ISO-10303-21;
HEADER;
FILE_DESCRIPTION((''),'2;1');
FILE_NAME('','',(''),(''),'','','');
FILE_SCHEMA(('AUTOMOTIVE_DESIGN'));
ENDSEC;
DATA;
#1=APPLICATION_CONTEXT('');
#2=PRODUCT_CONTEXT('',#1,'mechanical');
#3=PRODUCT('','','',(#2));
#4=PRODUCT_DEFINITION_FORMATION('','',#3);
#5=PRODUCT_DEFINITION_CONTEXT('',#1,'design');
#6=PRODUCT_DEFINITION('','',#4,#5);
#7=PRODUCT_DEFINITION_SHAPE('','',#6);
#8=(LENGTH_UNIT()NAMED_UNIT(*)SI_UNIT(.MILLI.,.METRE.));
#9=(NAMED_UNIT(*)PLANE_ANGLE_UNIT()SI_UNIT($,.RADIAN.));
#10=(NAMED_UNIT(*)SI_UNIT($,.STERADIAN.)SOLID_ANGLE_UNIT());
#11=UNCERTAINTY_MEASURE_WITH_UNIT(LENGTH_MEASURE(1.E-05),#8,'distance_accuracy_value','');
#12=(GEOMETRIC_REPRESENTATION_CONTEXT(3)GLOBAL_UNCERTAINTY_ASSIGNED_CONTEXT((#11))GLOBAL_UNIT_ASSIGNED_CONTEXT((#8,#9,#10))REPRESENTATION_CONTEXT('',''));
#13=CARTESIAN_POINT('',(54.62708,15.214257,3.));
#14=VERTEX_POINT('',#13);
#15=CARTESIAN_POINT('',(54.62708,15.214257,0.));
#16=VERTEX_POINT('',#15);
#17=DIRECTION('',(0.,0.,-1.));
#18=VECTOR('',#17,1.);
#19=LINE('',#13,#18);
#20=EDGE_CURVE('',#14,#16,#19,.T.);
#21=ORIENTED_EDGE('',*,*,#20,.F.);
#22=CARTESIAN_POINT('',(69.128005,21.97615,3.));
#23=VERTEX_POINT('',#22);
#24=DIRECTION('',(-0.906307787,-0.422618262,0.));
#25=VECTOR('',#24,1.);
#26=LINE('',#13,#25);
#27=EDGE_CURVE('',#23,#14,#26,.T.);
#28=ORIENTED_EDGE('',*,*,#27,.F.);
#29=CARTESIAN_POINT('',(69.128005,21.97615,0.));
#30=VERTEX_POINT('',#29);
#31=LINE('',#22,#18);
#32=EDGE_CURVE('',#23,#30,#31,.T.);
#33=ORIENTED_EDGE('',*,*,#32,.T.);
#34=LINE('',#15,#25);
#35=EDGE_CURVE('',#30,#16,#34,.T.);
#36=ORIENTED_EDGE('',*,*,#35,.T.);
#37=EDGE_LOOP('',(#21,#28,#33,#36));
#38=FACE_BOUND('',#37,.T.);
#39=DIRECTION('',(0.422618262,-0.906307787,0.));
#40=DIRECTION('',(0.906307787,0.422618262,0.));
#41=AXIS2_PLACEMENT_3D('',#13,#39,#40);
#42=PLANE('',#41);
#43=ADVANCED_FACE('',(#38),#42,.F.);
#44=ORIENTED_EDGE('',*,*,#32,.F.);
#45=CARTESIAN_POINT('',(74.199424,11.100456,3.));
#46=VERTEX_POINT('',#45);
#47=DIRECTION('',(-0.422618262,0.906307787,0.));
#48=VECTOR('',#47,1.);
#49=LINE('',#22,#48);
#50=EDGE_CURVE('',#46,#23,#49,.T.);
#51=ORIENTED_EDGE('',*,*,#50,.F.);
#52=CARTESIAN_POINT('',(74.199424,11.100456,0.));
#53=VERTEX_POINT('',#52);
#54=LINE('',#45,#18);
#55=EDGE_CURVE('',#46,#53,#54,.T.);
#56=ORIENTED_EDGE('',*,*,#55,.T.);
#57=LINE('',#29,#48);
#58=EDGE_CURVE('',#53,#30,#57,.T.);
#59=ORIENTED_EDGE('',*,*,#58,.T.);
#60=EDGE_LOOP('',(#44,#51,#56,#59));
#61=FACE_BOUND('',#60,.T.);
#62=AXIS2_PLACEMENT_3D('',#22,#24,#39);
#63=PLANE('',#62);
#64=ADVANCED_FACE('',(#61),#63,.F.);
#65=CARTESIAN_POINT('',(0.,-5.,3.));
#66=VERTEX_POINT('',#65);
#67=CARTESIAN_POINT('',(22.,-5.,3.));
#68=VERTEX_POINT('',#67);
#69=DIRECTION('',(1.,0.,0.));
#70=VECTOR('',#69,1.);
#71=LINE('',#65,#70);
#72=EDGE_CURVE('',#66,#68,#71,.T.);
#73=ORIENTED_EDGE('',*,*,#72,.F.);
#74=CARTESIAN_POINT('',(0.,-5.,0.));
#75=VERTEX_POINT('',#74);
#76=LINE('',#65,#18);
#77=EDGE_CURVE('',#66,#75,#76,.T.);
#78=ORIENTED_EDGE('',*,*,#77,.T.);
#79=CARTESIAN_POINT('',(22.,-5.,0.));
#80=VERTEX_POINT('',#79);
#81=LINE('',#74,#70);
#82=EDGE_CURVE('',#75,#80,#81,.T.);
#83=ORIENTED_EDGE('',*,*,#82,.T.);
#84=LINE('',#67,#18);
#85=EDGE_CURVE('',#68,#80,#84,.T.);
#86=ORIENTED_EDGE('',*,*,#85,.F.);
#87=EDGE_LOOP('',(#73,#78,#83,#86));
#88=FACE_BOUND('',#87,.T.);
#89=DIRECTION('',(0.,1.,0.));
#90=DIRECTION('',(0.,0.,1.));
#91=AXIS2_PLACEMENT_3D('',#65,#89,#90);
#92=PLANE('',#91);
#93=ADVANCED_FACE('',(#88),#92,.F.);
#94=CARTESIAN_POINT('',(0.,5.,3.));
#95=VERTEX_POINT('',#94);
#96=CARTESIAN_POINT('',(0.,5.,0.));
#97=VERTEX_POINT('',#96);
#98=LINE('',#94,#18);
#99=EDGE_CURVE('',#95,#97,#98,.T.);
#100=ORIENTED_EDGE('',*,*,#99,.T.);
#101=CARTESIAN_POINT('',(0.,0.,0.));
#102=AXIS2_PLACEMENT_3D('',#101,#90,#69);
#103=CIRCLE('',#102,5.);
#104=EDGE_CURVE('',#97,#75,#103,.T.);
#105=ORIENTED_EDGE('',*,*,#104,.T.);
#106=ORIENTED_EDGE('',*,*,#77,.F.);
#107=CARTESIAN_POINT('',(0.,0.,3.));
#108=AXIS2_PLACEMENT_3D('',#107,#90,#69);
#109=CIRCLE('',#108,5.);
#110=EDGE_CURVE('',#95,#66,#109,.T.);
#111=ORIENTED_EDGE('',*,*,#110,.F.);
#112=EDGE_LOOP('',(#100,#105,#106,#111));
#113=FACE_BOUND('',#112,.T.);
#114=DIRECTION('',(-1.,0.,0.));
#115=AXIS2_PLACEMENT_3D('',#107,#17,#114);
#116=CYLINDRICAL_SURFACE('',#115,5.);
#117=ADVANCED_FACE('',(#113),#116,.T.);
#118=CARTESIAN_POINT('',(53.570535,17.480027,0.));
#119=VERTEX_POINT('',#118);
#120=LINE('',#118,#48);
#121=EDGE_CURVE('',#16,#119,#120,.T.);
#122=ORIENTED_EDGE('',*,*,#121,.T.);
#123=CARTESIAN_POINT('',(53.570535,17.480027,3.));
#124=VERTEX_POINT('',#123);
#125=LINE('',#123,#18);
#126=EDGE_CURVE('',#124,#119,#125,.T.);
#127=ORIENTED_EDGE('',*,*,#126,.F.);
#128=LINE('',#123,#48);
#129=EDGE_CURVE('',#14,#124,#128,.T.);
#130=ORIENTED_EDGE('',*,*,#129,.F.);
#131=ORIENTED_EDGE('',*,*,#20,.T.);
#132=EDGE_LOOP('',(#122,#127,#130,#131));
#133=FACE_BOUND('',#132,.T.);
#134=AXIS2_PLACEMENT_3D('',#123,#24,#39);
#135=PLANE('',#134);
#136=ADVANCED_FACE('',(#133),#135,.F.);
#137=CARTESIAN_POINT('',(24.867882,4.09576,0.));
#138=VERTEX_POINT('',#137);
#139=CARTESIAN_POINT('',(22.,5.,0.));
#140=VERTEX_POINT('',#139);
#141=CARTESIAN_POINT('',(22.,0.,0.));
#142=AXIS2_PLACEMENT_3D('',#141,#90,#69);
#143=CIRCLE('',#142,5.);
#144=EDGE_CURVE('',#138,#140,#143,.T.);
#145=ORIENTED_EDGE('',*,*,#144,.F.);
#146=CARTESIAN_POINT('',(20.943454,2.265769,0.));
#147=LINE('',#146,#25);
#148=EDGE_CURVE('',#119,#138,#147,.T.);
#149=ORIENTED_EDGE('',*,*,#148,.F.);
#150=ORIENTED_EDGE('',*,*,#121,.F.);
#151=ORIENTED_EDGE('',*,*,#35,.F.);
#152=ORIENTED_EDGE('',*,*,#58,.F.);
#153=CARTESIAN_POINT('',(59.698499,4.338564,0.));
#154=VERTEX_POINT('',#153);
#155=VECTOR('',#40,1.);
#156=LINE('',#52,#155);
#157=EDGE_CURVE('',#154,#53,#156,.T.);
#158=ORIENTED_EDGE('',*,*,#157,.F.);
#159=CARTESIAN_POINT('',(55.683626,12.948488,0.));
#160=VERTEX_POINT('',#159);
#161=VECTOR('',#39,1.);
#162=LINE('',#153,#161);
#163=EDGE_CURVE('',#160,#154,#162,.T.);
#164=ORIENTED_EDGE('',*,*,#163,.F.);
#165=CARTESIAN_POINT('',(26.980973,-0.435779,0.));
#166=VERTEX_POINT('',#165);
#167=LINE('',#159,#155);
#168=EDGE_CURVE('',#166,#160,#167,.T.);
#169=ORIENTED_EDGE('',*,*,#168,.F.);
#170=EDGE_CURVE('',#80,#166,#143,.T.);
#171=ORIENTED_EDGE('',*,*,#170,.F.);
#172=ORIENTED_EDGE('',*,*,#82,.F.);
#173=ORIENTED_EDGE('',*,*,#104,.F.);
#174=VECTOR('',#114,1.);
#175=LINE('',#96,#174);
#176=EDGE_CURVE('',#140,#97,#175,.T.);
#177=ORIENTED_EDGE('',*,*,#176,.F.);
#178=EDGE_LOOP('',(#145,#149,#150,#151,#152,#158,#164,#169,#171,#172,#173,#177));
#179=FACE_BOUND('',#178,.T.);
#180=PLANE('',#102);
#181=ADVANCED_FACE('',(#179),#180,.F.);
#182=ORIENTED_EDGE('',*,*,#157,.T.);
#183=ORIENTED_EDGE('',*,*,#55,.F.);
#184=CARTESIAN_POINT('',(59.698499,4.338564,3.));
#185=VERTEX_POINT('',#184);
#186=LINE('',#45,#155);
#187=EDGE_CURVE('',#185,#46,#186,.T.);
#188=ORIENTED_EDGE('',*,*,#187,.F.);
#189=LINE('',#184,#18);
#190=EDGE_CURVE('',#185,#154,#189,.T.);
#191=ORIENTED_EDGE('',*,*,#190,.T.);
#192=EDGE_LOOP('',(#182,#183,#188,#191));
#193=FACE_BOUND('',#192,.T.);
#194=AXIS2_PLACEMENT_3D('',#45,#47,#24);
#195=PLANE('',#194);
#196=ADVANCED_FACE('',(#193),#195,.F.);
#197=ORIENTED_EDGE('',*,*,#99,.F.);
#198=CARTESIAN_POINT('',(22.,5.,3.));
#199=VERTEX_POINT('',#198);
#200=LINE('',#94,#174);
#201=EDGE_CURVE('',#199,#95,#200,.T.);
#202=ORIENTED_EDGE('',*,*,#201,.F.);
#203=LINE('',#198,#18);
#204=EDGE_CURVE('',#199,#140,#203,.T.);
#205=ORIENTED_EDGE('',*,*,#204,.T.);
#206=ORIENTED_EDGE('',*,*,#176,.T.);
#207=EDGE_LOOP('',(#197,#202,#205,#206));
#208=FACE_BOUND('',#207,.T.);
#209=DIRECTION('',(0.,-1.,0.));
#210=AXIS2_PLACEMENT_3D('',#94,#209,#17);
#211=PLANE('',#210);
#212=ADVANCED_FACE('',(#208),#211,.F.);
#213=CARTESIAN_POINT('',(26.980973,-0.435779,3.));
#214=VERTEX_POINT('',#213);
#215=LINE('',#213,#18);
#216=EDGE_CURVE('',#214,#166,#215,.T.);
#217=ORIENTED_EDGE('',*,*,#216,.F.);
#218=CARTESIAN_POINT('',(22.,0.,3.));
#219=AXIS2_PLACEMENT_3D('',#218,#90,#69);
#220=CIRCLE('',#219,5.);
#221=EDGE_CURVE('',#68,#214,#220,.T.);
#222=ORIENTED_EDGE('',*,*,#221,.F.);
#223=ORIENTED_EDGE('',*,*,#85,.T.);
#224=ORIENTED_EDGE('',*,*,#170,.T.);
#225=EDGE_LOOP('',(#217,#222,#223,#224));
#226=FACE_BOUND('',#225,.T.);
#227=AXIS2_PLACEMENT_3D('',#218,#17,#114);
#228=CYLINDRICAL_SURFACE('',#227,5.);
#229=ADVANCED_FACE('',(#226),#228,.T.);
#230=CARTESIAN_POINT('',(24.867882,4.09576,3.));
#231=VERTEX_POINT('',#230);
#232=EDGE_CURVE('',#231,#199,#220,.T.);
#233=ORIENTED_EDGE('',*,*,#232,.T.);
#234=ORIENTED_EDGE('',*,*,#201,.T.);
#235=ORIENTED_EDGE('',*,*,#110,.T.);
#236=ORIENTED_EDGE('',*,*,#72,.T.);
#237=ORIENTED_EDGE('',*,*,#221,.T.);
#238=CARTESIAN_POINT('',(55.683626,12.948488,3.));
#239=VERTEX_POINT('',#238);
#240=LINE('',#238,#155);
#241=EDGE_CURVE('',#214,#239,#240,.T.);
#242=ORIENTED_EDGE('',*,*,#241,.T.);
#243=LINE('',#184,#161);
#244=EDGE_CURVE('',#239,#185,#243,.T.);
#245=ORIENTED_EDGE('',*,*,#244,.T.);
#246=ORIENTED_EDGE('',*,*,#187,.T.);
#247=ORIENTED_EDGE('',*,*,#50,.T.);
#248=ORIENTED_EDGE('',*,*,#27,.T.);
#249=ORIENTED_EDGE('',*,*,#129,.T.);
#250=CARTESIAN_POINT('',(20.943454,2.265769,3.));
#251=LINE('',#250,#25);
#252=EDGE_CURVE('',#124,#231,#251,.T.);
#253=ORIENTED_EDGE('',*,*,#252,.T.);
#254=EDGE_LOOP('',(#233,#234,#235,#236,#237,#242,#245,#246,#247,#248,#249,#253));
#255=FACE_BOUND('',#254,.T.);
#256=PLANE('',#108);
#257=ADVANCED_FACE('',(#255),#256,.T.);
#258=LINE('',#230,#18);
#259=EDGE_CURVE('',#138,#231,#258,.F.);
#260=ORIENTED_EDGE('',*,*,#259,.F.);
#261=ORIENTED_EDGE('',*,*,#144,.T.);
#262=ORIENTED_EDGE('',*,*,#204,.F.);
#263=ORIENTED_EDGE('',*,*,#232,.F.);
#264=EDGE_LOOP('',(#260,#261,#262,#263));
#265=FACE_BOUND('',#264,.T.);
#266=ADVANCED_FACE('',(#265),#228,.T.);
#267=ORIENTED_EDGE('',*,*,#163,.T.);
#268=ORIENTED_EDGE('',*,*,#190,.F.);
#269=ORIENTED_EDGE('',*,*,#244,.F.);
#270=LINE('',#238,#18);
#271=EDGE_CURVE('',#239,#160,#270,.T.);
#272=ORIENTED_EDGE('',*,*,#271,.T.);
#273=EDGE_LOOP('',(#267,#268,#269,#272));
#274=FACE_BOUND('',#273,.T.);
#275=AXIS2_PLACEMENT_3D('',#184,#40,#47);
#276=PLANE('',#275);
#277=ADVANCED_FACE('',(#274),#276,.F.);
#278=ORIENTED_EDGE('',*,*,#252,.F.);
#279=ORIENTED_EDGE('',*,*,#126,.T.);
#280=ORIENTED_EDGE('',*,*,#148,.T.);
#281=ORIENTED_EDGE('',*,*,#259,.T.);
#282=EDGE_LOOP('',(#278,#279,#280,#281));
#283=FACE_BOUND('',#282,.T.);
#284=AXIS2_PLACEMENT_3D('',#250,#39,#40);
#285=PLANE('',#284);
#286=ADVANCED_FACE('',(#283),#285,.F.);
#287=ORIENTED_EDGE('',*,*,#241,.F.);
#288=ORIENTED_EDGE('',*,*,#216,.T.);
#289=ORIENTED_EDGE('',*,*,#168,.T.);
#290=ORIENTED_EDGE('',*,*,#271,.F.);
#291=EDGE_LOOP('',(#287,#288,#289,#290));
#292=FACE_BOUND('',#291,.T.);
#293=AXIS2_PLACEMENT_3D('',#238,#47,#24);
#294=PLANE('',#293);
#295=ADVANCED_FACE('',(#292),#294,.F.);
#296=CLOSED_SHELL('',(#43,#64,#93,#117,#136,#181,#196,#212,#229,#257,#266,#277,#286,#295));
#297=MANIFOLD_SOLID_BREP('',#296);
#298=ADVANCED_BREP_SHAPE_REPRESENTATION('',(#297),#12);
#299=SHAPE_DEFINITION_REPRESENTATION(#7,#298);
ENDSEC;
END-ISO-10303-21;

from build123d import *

# Parameters (mm, degrees)
SKETCH1_R           = 5
BOSS_EXTRUDE1_DEPTH = 3
SKETCH2_W           = 22
SKETCH2_H           = 10
BOSS_EXTRUDE2_DEPTH = 3
SKETCH3_R           = 5
BOSS_EXTRUDE3_DEPTH = 3
BOSS_EXTRUDE4_DEPTH = 3
BOSS_EXTRUDE5_DEPTH = 3


with BuildPart() as part:
    # Sketch1 → Boss-Extrude1 (new body)
    with BuildSketch(Plane.XY):
        Circle(SKETCH1_R)
    extrude(amount=BOSS_EXTRUDE1_DEPTH)

    # Sketch2 → Boss-Extrude2 (add)
    with BuildSketch(Plane.XY):
        with Locations((11, 0)):
            Rectangle(SKETCH2_W, SKETCH2_H)
    extrude(amount=BOSS_EXTRUDE2_DEPTH)

    # Sketch3 → Boss-Extrude3 (add)
    with BuildSketch(Plane.XY):
        with Locations((22, 0)):
            Circle(SKETCH3_R)
    extrude(amount=BOSS_EXTRUDE3_DEPTH)

    # Sketch4 → Boss-Extrude4 (add)
    with BuildSketch(Plane.XY):
        Polygon((20.943454346, 2.265769468), (53.570534679, 17.48002689), (55.683625988, 12.948487955), (23.056545654, -2.265769468), align=None)
    extrude(amount=BOSS_EXTRUDE4_DEPTH)

    # Sketch5 → Boss-Extrude5 (add)
    with BuildSketch(Plane.XY):
        Polygon((54.627080333, 15.214257423), (69.128004926, 21.976149611), (74.199424067, 11.100456166), (59.698499474, 4.338563978), align=None)
    extrude(amount=BOSS_EXTRUDE5_DEPTH)


solid = part.part
